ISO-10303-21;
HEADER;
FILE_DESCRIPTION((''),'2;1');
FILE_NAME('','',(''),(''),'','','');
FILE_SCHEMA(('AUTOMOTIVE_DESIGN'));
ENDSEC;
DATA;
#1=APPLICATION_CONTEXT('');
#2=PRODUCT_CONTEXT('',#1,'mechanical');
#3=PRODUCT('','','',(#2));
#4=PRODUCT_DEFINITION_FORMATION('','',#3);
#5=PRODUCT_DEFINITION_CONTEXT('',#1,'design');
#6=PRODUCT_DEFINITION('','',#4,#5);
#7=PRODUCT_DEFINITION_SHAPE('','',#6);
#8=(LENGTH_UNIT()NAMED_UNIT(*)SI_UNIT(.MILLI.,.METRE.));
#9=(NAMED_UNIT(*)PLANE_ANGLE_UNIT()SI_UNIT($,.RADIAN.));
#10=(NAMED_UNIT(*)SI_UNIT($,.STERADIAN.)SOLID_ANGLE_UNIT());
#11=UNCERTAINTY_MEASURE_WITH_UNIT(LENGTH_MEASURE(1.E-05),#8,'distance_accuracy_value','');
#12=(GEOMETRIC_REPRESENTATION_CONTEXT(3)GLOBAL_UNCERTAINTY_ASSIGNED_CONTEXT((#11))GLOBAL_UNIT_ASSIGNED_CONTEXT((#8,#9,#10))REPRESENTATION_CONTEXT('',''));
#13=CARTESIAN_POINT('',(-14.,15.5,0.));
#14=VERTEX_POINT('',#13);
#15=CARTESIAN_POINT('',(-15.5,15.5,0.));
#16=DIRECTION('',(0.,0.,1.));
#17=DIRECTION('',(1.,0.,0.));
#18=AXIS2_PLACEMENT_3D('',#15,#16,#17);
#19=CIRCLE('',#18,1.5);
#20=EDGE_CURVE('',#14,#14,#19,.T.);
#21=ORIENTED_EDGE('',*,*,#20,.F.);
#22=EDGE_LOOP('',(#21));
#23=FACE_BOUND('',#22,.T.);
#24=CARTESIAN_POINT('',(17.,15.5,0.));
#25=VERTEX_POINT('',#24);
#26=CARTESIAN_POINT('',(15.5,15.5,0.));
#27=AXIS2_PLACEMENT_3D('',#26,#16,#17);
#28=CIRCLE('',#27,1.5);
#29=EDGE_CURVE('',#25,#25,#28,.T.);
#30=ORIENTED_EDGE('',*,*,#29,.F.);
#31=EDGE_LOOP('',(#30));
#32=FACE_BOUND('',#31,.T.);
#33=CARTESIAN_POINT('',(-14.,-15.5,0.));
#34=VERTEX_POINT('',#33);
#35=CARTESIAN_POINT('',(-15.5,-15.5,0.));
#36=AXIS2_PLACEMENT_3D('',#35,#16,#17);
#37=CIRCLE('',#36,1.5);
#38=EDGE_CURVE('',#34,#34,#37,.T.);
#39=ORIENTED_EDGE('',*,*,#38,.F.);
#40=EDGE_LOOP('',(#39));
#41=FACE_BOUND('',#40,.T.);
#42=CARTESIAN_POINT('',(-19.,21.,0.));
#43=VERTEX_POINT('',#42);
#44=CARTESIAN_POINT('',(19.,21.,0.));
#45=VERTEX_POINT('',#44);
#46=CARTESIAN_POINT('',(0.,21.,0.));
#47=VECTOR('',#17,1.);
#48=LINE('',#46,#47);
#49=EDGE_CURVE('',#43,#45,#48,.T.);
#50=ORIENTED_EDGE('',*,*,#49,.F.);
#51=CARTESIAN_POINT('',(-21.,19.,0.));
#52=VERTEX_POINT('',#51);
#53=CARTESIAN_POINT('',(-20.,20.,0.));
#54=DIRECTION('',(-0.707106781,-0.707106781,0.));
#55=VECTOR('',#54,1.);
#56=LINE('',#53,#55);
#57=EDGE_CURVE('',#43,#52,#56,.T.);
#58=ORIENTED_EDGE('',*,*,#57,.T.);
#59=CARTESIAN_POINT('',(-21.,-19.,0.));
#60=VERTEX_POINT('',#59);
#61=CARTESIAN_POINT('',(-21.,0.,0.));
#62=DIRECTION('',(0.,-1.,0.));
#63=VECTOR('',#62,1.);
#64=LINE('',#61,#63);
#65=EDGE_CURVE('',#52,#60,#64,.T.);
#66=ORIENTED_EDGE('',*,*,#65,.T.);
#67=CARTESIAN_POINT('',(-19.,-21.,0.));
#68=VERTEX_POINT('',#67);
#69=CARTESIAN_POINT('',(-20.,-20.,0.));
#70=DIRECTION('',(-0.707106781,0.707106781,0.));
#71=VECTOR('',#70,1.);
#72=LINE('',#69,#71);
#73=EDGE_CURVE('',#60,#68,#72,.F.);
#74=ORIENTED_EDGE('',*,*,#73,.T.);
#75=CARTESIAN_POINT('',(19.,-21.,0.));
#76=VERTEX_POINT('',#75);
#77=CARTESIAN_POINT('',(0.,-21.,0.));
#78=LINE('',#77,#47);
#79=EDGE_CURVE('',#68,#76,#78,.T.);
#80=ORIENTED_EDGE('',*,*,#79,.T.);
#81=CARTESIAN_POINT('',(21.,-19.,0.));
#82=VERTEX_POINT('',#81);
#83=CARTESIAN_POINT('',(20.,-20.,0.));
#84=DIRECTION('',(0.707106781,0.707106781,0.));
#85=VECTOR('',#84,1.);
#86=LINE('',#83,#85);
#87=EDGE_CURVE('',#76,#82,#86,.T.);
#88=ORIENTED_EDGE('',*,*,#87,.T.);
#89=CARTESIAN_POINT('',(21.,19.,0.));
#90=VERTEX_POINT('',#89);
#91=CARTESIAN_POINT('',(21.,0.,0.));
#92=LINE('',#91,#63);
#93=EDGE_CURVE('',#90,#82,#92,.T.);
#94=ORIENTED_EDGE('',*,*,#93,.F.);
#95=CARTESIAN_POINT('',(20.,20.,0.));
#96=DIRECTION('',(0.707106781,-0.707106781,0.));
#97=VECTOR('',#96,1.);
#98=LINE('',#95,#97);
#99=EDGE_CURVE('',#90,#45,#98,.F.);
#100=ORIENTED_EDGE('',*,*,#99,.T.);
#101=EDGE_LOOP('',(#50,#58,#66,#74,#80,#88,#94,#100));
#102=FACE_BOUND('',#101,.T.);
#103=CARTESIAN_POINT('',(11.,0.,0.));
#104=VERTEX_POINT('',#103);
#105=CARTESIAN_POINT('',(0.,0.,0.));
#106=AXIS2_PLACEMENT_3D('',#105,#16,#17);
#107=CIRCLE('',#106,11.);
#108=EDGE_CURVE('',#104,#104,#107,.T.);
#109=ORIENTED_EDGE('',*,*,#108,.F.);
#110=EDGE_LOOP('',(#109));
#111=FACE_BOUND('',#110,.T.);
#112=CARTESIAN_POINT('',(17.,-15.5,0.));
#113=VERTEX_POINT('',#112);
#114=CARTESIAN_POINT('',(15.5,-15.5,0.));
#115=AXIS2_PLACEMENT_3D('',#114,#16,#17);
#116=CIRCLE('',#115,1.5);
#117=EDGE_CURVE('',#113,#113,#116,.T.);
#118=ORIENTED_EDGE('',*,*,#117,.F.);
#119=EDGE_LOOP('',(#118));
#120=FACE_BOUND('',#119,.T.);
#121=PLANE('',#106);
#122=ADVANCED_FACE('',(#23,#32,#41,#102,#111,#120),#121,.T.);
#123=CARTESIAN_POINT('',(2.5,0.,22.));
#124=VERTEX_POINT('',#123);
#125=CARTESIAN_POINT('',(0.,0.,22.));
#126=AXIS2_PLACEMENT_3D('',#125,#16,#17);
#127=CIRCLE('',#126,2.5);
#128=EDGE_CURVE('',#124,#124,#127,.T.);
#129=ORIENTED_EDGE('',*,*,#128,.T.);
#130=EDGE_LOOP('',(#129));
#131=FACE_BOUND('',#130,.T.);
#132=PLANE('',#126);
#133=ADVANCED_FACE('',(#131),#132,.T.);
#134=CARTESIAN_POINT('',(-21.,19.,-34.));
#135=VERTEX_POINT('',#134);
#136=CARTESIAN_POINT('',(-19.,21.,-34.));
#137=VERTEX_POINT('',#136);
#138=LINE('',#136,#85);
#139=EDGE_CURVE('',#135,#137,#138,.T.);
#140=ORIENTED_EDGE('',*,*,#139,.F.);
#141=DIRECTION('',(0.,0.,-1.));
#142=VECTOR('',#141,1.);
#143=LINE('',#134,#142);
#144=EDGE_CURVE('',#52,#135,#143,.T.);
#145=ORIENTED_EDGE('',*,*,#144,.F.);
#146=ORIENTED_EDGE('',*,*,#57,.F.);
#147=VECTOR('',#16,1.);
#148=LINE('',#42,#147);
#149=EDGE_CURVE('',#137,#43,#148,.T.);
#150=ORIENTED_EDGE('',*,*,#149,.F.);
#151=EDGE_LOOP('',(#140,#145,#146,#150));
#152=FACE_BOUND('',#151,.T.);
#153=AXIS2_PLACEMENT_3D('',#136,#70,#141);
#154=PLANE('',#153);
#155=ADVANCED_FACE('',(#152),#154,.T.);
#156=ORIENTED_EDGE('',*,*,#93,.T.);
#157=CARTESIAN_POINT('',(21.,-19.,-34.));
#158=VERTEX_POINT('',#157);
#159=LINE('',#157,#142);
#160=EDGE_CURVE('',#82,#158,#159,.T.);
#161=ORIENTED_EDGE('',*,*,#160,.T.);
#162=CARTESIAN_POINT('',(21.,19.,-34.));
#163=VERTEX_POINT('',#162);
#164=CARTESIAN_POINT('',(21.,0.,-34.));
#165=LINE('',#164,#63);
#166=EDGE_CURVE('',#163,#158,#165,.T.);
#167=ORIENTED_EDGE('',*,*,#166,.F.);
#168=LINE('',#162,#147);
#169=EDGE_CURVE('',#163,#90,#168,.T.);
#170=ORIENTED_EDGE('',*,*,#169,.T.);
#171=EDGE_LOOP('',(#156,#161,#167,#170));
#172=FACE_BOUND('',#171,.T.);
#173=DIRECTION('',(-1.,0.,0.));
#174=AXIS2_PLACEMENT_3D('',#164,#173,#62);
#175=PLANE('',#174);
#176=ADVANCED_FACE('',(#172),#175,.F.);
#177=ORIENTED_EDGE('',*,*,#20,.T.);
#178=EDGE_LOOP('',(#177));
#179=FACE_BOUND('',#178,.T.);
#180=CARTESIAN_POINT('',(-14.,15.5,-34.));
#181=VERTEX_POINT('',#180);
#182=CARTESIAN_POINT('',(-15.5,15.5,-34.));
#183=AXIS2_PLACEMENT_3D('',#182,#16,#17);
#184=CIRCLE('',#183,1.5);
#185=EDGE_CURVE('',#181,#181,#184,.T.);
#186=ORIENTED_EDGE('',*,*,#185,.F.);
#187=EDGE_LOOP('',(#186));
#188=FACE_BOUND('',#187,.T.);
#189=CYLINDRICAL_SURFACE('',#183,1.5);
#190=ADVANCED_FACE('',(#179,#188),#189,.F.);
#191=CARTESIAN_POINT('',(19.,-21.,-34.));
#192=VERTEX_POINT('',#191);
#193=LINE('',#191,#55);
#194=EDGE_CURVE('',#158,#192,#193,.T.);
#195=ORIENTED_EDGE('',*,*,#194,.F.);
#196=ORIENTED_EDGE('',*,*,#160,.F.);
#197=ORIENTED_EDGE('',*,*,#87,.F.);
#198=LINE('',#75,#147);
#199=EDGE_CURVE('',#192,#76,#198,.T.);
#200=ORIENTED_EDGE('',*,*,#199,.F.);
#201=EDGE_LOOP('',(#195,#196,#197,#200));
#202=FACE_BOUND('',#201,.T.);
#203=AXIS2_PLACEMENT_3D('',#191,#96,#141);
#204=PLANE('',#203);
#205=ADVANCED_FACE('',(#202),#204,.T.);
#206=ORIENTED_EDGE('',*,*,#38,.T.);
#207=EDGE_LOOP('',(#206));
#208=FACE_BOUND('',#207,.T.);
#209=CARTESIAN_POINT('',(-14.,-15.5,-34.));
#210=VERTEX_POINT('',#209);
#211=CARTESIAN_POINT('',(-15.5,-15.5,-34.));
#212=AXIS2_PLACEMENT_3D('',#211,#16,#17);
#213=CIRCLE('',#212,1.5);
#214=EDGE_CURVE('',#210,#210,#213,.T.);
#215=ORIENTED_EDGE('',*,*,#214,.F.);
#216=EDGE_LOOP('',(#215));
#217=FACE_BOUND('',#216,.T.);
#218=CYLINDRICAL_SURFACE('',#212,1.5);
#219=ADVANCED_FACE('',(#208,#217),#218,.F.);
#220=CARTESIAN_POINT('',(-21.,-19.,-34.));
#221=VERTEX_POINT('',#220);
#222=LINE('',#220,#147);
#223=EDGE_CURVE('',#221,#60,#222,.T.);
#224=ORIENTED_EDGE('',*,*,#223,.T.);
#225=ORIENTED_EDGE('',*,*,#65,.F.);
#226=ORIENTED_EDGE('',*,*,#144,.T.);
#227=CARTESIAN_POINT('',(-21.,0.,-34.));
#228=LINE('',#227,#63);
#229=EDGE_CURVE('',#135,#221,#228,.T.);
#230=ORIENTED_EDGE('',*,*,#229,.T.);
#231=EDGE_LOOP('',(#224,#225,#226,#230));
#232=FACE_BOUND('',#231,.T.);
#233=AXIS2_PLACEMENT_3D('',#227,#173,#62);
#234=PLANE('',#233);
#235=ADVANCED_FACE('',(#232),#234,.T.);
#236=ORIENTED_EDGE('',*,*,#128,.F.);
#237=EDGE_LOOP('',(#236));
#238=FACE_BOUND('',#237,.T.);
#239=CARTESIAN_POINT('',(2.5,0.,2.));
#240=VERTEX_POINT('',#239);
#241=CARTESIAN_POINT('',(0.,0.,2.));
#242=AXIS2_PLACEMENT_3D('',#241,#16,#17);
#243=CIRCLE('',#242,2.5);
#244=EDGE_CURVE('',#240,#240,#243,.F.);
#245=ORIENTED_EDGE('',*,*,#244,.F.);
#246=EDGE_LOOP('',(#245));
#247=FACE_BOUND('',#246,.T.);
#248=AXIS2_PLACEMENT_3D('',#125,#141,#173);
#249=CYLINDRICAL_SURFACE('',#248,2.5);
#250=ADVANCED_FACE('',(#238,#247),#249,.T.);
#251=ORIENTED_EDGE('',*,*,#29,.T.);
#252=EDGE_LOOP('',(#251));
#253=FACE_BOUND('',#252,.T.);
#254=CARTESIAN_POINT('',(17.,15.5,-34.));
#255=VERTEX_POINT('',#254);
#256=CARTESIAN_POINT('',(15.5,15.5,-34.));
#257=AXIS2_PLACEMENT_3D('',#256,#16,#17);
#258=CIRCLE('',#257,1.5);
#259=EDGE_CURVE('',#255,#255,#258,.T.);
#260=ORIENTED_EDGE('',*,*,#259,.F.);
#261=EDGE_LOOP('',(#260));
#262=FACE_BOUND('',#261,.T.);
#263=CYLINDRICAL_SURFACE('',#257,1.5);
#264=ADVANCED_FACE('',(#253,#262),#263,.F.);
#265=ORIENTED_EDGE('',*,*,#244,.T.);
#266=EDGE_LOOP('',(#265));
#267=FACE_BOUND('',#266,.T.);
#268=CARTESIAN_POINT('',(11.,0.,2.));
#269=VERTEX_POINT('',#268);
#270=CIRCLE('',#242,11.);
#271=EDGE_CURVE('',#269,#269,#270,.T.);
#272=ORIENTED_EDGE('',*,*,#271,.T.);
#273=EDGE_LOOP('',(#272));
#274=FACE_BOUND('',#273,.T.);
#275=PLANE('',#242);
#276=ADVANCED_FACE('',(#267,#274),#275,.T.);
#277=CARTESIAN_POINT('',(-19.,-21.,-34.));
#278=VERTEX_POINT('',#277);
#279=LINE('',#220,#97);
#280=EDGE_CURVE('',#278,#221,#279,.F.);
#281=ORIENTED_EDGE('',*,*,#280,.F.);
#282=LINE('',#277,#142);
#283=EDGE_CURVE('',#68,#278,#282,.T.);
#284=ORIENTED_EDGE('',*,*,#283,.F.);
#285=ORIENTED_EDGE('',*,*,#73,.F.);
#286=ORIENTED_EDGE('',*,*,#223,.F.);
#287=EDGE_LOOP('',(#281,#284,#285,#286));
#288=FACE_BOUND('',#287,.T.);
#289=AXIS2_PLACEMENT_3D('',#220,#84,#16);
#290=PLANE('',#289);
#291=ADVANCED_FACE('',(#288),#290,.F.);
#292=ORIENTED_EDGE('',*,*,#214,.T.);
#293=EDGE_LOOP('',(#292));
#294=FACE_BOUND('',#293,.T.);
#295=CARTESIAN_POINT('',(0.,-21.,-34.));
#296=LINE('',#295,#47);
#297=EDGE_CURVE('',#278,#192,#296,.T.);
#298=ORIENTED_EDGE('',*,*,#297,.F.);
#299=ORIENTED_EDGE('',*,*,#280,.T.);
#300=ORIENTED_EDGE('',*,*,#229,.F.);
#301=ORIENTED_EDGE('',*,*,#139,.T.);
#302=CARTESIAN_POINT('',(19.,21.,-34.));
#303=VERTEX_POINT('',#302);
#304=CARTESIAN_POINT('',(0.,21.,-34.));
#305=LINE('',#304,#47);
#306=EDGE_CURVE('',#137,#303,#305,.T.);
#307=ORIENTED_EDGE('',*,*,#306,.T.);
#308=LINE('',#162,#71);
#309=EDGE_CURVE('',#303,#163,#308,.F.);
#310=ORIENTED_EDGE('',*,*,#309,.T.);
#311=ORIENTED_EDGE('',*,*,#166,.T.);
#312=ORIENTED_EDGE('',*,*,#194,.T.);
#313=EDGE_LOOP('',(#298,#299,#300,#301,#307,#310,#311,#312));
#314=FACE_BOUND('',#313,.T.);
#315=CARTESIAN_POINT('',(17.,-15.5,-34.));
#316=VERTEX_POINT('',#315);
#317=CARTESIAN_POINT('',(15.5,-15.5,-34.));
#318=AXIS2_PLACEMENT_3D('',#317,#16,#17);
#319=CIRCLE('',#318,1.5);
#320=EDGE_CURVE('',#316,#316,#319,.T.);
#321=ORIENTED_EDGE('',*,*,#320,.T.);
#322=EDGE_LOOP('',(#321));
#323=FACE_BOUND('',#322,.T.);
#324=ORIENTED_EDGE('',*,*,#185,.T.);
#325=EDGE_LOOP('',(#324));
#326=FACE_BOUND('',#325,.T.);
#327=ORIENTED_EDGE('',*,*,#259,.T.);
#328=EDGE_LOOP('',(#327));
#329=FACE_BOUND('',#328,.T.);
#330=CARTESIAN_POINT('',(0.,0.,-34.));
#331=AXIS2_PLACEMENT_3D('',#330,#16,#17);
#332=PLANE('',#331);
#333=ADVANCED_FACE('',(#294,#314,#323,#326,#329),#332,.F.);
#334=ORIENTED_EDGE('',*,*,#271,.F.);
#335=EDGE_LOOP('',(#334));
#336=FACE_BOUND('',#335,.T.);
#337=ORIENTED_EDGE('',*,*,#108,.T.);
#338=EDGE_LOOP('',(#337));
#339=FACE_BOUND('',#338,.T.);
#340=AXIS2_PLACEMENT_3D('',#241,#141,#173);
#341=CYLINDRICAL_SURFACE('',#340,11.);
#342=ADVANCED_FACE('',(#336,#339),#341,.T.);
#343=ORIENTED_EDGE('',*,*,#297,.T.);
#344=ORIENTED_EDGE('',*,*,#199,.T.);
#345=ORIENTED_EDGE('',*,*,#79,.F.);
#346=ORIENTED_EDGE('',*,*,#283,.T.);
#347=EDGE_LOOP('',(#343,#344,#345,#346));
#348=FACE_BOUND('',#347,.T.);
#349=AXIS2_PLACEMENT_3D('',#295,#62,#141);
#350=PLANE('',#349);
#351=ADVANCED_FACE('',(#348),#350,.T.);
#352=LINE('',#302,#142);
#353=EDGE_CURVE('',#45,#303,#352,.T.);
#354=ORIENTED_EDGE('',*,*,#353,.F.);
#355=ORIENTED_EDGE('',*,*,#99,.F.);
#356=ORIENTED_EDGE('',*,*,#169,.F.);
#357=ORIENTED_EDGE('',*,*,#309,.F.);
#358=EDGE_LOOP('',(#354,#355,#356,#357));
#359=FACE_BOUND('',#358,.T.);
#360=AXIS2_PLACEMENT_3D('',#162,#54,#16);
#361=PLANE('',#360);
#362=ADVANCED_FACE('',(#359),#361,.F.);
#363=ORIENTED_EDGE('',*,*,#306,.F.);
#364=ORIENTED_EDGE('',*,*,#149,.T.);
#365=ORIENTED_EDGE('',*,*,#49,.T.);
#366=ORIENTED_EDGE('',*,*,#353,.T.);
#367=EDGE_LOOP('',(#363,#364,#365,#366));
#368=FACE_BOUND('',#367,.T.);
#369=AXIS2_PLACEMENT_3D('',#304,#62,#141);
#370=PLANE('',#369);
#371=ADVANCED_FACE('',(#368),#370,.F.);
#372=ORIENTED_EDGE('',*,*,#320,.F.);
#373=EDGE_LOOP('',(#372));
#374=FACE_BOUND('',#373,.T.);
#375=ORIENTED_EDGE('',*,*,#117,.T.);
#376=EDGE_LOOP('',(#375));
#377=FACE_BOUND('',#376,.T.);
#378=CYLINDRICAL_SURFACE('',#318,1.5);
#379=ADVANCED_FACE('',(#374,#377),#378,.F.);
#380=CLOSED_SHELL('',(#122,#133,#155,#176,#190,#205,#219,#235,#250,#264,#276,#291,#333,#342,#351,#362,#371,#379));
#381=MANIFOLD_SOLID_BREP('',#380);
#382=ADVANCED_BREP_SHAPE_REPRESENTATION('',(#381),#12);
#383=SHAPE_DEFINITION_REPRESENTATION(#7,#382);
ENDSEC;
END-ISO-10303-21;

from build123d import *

# Parameters (mm, degrees)
SKETCH_1_W      = 42
SKETCH_1_H      = 42
SKETCH_1_R      = 1.5
EXTRUDE_1_DEPTH = 34
SKETCH_1_3_R    = 11
EXTRUDE_2_DEPTH = 2
SKETCH_1_4_R    = 2.5
EXTRUDE_3_DEPTH = 22
CHAMFER_1_SIZE  = 2


with BuildPart() as part:
    # 스케치1 → 보스-돌출1 (new body)
    with BuildSketch(Plane.XY):
        Rectangle(SKETCH_1_W, SKETCH_1_H)
        with Locations((-15.5, -15.5)):
            Circle(SKETCH_1_R, mode=Mode.SUBTRACT)
        with Locations((15.5, -15.5)):
            Circle(SKETCH_1_R, mode=Mode.SUBTRACT)
        with Locations((-15.5, 15.5)):
            Circle(SKETCH_1_R, mode=Mode.SUBTRACT)
        with Locations((15.5, 15.5)):
            Circle(SKETCH_1_R, mode=Mode.SUBTRACT)
    extrude(amount=-EXTRUDE_1_DEPTH)

    # 스케치1<3> → 보스-돌출2 (add)
    with BuildSketch(Plane.XY):
        Circle(SKETCH_1_3_R)
    extrude(amount=EXTRUDE_2_DEPTH)

    # 스케치1<4> → 보스-돌출3 (add)
    with BuildSketch(Plane.XY):
        Circle(SKETCH_1_4_R)
    extrude(amount=EXTRUDE_3_DEPTH)

    # 모따기1
    chamfer_1_edges = [part.edges().sort_by_distance(p)[0] for p in [
        (-21, 21, -17),
        (21, 21, -17),
        (21, -21, -17),
        (-21, -21, -17),
    ]]
    chamfer(chamfer_1_edges, length=CHAMFER_1_SIZE)


solid = part.part
